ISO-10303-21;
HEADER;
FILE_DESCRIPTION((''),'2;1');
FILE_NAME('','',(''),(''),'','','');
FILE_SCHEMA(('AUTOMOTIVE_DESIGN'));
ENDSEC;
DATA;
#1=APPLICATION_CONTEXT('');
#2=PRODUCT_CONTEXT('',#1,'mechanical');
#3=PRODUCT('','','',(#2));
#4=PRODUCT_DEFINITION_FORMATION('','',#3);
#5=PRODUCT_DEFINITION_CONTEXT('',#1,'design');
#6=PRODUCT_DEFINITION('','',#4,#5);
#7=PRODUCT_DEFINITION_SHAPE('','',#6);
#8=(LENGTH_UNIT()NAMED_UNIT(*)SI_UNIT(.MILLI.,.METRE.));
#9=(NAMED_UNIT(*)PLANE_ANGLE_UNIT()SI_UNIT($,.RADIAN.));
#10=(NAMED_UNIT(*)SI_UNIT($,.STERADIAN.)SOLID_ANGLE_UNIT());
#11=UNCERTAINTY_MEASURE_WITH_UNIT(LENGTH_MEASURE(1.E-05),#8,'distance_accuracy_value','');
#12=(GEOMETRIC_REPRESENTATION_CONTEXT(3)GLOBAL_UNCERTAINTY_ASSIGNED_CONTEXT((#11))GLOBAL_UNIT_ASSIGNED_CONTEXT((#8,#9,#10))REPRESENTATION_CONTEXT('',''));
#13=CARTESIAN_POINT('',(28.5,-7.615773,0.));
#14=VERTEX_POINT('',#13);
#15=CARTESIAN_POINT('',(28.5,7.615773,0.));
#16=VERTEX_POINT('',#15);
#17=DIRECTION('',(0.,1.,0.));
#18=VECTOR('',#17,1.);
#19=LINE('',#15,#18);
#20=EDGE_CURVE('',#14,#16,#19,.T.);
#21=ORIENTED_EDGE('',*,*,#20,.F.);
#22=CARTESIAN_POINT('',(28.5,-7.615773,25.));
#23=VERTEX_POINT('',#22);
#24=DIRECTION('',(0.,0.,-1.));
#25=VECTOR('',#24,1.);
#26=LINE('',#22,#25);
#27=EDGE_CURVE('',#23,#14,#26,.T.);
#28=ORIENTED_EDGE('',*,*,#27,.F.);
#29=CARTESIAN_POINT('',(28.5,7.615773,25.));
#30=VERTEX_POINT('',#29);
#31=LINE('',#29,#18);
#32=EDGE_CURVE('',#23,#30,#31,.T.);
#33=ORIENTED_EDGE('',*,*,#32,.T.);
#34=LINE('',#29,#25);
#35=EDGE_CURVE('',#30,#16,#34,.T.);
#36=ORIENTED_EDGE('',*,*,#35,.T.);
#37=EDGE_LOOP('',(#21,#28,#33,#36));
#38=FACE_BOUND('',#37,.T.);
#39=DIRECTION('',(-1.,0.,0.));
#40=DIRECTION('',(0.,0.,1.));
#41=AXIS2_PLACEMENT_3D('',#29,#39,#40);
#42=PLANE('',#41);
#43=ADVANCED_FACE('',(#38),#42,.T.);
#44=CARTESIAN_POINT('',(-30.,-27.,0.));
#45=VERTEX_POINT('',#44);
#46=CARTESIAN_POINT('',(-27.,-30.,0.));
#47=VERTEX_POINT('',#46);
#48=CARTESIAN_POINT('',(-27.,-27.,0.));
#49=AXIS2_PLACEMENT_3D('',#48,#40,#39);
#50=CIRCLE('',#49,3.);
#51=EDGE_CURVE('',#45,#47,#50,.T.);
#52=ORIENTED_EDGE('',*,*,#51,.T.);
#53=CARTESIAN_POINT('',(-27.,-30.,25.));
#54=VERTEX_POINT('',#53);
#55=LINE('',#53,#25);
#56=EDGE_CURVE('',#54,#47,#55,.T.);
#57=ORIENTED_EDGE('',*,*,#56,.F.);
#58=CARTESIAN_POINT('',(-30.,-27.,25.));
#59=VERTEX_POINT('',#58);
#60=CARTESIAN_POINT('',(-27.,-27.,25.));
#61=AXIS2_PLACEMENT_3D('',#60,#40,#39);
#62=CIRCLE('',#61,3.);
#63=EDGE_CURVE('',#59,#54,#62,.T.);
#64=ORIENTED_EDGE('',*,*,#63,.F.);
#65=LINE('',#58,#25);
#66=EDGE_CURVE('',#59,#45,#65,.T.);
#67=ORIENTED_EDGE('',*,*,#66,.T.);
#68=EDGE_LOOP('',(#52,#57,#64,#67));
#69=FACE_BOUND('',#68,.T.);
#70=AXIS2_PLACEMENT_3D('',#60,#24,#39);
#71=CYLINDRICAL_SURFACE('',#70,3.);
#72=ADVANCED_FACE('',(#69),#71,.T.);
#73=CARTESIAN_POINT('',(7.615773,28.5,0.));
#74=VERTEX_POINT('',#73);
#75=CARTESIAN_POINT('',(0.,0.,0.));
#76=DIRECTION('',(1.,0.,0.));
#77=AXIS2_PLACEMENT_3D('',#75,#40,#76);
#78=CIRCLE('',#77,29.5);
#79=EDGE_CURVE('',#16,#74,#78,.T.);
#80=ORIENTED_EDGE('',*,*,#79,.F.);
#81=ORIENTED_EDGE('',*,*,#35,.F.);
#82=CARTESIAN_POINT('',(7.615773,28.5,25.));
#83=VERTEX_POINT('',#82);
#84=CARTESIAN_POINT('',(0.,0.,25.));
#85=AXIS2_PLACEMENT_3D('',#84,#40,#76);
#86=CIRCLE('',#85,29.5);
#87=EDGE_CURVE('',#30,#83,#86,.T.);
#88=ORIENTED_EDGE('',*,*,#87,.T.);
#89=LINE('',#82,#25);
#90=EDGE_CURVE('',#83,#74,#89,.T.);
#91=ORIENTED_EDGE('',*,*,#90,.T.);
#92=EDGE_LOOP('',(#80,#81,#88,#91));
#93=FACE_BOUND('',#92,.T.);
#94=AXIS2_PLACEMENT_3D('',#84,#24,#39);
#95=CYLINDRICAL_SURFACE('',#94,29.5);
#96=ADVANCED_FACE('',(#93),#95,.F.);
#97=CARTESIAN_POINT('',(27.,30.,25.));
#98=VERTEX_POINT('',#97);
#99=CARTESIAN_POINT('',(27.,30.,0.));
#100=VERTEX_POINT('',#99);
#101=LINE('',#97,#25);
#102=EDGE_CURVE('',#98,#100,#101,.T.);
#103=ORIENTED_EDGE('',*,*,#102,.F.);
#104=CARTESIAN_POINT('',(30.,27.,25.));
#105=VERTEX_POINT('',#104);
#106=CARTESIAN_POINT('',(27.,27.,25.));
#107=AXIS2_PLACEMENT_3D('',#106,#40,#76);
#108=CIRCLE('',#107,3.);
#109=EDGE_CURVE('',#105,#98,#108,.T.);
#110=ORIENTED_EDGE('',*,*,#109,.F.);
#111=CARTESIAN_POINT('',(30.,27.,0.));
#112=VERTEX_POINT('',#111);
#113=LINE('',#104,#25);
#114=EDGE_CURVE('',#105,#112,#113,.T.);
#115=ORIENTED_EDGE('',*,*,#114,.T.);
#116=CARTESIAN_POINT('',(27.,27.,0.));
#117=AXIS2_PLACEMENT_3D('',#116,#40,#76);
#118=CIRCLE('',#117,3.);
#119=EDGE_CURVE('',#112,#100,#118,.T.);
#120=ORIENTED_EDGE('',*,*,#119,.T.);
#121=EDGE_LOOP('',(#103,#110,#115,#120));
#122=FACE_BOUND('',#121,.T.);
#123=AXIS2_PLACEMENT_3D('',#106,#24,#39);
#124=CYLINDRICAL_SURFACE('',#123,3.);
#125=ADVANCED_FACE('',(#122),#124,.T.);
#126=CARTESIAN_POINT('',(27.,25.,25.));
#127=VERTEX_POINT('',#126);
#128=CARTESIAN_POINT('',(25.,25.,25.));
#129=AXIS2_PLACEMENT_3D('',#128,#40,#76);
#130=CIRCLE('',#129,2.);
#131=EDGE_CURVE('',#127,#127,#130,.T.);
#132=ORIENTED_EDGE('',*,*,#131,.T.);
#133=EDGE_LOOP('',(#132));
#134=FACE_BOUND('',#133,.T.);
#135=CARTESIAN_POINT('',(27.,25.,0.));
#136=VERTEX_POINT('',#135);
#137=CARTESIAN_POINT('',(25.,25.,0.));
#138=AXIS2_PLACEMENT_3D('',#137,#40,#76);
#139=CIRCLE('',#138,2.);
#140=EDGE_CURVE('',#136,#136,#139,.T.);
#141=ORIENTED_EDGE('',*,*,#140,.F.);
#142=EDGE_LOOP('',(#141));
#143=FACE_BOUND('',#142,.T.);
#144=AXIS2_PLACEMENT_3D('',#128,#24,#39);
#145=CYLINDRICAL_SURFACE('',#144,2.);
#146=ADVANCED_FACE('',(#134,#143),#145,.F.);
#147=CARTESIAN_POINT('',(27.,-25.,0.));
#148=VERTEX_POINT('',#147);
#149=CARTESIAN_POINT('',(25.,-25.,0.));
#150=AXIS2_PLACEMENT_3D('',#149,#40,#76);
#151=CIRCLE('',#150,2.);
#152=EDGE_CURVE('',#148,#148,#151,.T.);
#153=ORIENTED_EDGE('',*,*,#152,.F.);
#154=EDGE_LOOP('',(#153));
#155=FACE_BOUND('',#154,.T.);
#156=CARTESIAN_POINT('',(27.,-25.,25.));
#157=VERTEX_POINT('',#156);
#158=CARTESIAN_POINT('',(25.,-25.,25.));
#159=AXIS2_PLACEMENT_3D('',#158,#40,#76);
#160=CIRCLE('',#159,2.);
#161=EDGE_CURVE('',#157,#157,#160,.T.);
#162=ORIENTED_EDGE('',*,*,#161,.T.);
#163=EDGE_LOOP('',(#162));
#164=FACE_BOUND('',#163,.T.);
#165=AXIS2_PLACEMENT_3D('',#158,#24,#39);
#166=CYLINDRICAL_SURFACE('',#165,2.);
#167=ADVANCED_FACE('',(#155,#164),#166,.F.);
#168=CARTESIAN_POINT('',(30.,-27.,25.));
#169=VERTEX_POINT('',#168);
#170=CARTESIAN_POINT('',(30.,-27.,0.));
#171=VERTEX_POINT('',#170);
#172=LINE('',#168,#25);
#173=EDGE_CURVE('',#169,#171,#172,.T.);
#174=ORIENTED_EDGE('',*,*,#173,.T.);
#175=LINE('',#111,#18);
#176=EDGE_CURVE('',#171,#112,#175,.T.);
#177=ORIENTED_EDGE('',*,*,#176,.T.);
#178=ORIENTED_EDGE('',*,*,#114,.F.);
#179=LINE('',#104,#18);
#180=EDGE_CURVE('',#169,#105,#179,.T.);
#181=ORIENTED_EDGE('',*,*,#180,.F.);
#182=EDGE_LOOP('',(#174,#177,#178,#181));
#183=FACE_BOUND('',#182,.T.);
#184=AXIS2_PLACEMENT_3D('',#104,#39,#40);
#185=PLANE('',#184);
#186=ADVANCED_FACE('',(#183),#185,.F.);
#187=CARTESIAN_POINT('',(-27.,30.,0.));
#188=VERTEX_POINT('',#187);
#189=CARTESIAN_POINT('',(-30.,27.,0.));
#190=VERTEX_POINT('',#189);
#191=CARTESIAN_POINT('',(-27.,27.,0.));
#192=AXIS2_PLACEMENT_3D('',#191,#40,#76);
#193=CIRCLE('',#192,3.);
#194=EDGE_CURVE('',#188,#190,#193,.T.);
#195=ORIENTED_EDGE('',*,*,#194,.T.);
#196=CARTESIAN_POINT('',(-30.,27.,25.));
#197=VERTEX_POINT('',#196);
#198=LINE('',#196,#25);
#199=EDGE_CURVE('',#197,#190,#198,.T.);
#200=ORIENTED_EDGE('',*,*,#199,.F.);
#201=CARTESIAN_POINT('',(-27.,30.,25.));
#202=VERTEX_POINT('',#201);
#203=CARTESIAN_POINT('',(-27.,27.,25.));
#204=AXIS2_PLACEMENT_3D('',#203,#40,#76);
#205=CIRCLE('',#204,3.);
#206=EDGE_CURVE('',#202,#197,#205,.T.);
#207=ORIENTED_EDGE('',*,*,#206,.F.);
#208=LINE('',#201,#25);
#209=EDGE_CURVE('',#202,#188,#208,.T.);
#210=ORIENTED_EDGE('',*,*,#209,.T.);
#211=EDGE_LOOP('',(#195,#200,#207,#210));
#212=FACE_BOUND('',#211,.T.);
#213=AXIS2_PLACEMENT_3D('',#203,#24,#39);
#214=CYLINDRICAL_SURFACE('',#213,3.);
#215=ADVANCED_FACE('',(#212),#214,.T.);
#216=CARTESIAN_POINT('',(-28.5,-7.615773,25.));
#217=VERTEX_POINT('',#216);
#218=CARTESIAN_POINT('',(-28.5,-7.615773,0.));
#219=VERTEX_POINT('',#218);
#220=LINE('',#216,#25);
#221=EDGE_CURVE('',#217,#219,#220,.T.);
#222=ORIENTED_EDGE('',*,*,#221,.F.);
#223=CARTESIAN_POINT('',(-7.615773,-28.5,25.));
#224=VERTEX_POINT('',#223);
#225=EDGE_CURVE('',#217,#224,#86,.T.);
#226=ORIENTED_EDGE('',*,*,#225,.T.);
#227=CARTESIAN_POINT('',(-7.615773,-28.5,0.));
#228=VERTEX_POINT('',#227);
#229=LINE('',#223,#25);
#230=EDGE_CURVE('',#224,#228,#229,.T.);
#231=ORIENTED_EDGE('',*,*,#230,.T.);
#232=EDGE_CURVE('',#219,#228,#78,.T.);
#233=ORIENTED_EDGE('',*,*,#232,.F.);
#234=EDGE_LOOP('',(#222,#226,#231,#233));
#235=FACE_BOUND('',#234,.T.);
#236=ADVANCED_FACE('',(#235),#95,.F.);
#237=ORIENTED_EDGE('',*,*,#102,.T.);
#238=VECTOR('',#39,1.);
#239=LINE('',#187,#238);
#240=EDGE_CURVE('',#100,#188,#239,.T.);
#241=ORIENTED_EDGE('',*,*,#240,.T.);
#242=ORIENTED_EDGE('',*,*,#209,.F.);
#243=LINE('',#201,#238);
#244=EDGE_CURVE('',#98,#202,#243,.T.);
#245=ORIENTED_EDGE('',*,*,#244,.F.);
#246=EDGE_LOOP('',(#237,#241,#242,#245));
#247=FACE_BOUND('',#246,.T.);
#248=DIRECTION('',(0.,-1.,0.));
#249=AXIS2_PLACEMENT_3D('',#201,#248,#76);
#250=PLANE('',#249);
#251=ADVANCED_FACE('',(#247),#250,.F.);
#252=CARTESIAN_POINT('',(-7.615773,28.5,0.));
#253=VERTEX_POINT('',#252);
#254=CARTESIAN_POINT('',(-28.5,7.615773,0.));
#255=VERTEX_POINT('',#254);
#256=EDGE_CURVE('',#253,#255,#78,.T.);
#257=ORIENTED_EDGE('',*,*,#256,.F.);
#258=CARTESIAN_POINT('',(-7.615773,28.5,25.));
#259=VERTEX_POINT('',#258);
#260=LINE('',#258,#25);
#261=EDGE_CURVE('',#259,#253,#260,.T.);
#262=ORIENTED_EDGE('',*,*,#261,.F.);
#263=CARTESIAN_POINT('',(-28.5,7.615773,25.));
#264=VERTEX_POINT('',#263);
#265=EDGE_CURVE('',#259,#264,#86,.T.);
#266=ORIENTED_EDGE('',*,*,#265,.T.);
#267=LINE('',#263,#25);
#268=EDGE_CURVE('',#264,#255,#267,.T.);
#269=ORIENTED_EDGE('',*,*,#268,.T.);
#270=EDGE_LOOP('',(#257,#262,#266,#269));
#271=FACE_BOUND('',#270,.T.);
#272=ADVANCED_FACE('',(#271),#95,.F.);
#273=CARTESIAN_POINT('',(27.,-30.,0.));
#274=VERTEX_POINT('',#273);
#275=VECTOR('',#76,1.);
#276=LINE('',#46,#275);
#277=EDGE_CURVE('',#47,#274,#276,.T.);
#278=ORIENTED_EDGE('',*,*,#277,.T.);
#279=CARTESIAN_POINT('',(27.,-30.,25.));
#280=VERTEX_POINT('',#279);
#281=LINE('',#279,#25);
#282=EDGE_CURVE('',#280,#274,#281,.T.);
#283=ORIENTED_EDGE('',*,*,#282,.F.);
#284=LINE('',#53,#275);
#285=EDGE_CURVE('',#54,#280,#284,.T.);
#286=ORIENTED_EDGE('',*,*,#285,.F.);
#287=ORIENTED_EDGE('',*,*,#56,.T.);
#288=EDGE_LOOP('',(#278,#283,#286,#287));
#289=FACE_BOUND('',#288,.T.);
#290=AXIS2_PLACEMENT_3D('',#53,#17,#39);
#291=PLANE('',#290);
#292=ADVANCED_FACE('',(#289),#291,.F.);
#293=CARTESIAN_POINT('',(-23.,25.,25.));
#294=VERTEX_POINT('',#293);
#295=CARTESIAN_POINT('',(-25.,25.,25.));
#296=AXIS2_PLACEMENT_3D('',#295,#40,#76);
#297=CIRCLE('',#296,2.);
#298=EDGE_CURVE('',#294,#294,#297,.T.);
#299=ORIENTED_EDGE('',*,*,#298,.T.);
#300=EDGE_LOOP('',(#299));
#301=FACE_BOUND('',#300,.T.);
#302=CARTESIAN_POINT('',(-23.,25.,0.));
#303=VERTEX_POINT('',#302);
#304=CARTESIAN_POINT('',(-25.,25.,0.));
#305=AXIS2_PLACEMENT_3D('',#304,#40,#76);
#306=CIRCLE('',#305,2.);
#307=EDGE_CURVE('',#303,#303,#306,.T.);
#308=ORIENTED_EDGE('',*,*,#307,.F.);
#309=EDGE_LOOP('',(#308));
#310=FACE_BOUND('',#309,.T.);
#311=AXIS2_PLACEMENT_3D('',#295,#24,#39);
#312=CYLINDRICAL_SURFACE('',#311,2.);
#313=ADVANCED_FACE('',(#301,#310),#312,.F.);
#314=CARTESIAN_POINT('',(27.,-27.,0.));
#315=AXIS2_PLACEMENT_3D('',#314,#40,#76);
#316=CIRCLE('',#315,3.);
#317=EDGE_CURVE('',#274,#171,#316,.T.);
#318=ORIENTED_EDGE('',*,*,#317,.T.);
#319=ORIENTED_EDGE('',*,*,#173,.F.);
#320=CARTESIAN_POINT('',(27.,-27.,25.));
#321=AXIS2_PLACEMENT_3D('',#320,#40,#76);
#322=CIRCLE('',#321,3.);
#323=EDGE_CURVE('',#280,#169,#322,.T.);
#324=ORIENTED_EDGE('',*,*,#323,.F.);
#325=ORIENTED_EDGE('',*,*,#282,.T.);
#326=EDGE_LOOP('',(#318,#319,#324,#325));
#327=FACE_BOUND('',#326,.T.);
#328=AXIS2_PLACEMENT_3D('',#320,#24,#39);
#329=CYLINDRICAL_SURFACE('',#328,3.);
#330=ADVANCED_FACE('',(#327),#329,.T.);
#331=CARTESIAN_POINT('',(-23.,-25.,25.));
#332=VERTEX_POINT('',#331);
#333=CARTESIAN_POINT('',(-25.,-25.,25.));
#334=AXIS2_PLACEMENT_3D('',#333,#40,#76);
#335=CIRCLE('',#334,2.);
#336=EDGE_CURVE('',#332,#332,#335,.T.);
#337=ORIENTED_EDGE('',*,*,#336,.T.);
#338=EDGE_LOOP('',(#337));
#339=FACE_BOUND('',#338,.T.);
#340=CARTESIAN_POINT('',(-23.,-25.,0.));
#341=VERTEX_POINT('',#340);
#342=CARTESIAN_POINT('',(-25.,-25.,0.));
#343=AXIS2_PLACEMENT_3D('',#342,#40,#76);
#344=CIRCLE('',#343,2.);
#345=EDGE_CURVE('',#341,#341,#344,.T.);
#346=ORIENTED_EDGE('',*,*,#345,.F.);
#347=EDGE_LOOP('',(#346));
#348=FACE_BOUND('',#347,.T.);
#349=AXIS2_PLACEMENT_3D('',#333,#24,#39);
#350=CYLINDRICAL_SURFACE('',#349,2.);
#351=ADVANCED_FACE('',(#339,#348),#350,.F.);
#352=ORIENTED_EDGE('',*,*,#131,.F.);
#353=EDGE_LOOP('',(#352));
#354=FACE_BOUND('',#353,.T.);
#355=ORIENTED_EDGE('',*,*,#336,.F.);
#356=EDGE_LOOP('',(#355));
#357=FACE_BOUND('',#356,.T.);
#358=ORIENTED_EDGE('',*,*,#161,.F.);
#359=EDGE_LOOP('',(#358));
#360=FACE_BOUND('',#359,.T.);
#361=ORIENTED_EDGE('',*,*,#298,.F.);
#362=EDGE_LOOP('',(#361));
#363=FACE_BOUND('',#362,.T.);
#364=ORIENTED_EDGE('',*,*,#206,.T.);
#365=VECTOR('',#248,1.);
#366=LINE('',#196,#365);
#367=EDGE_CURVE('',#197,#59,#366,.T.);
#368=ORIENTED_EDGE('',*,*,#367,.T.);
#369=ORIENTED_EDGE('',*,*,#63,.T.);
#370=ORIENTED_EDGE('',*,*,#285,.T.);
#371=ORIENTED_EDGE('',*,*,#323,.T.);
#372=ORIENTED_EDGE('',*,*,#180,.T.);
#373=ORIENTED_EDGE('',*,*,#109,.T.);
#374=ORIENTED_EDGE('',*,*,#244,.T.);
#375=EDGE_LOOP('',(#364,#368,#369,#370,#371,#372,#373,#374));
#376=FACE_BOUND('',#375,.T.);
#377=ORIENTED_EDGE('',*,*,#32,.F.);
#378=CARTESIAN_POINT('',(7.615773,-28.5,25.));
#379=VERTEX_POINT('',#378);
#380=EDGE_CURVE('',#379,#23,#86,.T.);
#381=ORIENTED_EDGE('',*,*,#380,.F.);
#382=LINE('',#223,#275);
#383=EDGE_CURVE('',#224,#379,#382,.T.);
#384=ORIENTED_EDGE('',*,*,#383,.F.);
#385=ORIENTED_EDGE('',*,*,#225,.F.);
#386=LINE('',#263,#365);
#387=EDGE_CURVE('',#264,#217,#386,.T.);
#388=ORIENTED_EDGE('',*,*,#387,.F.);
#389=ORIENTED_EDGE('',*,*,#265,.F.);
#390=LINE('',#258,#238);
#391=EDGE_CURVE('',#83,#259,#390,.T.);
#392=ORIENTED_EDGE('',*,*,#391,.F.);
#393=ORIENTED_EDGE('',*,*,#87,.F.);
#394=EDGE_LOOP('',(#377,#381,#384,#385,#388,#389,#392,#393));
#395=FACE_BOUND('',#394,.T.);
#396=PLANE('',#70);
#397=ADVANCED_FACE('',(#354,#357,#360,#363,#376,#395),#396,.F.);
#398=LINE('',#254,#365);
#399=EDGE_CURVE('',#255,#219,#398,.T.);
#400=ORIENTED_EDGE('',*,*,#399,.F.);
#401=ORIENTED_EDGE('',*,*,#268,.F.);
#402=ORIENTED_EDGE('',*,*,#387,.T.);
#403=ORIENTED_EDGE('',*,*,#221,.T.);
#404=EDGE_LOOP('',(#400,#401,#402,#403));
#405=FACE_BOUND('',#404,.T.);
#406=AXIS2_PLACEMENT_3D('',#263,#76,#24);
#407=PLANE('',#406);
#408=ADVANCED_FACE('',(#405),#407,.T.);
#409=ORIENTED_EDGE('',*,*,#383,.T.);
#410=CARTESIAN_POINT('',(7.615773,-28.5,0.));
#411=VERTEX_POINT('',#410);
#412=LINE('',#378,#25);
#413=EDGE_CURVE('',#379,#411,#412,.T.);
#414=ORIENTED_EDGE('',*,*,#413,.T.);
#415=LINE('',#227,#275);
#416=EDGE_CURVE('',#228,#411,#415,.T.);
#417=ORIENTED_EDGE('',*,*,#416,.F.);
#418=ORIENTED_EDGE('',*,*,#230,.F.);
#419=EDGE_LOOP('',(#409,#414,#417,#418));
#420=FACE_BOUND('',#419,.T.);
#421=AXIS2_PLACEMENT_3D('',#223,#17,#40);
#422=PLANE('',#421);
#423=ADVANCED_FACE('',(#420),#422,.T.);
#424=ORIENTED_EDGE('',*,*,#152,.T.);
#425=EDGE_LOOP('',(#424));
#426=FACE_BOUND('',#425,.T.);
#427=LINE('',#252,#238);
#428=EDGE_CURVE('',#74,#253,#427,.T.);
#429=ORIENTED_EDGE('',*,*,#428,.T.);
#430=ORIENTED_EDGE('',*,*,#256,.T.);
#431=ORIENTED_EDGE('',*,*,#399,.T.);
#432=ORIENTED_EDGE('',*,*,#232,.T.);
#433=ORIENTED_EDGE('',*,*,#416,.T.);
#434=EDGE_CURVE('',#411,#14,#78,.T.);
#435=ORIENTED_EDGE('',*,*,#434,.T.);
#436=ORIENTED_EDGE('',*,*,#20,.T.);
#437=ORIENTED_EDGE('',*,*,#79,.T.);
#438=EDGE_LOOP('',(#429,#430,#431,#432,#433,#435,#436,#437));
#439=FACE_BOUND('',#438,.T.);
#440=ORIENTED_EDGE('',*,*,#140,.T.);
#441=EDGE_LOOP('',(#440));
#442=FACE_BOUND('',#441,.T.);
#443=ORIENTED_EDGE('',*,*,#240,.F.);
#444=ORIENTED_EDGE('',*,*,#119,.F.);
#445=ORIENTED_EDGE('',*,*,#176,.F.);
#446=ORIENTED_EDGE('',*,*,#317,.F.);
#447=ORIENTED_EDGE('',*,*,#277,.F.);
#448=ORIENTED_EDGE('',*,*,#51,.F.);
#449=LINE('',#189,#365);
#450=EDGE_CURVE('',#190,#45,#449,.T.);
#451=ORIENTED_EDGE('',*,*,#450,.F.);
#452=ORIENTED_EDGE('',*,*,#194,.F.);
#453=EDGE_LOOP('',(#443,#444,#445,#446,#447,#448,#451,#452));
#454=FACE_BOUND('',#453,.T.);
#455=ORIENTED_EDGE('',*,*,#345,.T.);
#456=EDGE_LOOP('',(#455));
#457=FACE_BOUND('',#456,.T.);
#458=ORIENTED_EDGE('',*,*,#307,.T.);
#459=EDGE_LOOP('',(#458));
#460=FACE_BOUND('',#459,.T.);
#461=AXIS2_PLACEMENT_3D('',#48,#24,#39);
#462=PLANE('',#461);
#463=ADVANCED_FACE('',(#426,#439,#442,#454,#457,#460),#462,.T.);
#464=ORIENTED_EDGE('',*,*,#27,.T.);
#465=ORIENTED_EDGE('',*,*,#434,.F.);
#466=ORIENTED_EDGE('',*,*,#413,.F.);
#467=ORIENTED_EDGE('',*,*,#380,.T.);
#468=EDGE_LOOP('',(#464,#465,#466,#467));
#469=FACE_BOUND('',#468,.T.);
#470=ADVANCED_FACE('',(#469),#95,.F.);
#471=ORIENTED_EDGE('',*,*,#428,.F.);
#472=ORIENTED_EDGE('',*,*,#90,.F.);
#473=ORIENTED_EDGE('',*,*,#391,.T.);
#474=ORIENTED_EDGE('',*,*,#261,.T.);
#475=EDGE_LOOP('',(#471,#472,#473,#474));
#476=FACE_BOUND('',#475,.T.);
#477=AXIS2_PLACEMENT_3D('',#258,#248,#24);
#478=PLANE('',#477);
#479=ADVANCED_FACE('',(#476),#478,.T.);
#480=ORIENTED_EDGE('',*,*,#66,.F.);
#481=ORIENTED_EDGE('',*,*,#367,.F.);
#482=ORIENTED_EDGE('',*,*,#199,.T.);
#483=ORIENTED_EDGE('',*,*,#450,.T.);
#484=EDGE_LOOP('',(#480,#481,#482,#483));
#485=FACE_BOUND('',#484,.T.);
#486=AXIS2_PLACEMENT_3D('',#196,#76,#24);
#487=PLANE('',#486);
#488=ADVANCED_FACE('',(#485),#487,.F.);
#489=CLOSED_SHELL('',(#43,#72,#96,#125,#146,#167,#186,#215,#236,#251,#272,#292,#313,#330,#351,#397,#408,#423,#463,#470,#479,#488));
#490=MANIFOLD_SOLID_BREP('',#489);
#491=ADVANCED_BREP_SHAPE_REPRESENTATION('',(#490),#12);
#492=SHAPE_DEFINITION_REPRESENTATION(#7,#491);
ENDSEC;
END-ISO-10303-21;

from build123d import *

# Parameters (mm, degrees)
SKETCH1_R           = 2
BOSS_EXTRUDE1_DEPTH = 25


with BuildPart() as part:
    # Sketch1 → Boss-Extrude1 (new body)
    with BuildSketch(Plane.XY):
        with BuildLine():
            Line((-27, 30), (27, 30))
            ThreePointArc((27, 30), (29.121320344, 29.121320344), (30, 27))
            Line((30, 27), (30, -27))
            ThreePointArc((30, -27), (29.121320344, -29.121320344), (27, -30))
            Line((27, -30), (-27, -30))
            ThreePointArc((-27, -30), (-29.121320344, -29.121320344), (-30, -27))
            Line((-30, -27), (-30, 27))
            ThreePointArc((-30, 27), (-29.121320344, 29.121320344), (-27, 30))
        make_face()
        with Locations((-25, 25)):
            Circle(SKETCH1_R, mode=Mode.SUBTRACT)
        with Locations((25, 25)):
            Circle(SKETCH1_R, mode=Mode.SUBTRACT)
        with Locations((25, -25)):
            Circle(SKETCH1_R, mode=Mode.SUBTRACT)
        with Locations((-25, -25)):
            Circle(SKETCH1_R, mode=Mode.SUBTRACT)
        with BuildLine():
            Line((-7.615773106, 28.5), (7.615773106, 28.5))
            ThreePointArc((7.615773106, 28.5), (20.859650045, 20.859650045), (28.5, 7.615773106))
            Line((28.5, 7.615773106), (28.5, -7.615773106))
            ThreePointArc((28.5, -7.615773106), (20.859650045, -20.859650045), (7.615773106, -28.5))
            Line((7.615773106, -28.5), (-7.615773106, -28.5))
            ThreePointArc((-7.615773106, -28.5), (-20.859650045, -20.859650045), (-28.5, -7.615773106))
            Line((-28.5, -7.615773106), (-28.5, 7.615773106))
            ThreePointArc((-28.5, 7.615773106), (-20.859650045, 20.859650045), (-7.615773106, 28.5))
        make_face(mode=Mode.SUBTRACT)
    extrude(amount=BOSS_EXTRUDE1_DEPTH)


solid = part.part
